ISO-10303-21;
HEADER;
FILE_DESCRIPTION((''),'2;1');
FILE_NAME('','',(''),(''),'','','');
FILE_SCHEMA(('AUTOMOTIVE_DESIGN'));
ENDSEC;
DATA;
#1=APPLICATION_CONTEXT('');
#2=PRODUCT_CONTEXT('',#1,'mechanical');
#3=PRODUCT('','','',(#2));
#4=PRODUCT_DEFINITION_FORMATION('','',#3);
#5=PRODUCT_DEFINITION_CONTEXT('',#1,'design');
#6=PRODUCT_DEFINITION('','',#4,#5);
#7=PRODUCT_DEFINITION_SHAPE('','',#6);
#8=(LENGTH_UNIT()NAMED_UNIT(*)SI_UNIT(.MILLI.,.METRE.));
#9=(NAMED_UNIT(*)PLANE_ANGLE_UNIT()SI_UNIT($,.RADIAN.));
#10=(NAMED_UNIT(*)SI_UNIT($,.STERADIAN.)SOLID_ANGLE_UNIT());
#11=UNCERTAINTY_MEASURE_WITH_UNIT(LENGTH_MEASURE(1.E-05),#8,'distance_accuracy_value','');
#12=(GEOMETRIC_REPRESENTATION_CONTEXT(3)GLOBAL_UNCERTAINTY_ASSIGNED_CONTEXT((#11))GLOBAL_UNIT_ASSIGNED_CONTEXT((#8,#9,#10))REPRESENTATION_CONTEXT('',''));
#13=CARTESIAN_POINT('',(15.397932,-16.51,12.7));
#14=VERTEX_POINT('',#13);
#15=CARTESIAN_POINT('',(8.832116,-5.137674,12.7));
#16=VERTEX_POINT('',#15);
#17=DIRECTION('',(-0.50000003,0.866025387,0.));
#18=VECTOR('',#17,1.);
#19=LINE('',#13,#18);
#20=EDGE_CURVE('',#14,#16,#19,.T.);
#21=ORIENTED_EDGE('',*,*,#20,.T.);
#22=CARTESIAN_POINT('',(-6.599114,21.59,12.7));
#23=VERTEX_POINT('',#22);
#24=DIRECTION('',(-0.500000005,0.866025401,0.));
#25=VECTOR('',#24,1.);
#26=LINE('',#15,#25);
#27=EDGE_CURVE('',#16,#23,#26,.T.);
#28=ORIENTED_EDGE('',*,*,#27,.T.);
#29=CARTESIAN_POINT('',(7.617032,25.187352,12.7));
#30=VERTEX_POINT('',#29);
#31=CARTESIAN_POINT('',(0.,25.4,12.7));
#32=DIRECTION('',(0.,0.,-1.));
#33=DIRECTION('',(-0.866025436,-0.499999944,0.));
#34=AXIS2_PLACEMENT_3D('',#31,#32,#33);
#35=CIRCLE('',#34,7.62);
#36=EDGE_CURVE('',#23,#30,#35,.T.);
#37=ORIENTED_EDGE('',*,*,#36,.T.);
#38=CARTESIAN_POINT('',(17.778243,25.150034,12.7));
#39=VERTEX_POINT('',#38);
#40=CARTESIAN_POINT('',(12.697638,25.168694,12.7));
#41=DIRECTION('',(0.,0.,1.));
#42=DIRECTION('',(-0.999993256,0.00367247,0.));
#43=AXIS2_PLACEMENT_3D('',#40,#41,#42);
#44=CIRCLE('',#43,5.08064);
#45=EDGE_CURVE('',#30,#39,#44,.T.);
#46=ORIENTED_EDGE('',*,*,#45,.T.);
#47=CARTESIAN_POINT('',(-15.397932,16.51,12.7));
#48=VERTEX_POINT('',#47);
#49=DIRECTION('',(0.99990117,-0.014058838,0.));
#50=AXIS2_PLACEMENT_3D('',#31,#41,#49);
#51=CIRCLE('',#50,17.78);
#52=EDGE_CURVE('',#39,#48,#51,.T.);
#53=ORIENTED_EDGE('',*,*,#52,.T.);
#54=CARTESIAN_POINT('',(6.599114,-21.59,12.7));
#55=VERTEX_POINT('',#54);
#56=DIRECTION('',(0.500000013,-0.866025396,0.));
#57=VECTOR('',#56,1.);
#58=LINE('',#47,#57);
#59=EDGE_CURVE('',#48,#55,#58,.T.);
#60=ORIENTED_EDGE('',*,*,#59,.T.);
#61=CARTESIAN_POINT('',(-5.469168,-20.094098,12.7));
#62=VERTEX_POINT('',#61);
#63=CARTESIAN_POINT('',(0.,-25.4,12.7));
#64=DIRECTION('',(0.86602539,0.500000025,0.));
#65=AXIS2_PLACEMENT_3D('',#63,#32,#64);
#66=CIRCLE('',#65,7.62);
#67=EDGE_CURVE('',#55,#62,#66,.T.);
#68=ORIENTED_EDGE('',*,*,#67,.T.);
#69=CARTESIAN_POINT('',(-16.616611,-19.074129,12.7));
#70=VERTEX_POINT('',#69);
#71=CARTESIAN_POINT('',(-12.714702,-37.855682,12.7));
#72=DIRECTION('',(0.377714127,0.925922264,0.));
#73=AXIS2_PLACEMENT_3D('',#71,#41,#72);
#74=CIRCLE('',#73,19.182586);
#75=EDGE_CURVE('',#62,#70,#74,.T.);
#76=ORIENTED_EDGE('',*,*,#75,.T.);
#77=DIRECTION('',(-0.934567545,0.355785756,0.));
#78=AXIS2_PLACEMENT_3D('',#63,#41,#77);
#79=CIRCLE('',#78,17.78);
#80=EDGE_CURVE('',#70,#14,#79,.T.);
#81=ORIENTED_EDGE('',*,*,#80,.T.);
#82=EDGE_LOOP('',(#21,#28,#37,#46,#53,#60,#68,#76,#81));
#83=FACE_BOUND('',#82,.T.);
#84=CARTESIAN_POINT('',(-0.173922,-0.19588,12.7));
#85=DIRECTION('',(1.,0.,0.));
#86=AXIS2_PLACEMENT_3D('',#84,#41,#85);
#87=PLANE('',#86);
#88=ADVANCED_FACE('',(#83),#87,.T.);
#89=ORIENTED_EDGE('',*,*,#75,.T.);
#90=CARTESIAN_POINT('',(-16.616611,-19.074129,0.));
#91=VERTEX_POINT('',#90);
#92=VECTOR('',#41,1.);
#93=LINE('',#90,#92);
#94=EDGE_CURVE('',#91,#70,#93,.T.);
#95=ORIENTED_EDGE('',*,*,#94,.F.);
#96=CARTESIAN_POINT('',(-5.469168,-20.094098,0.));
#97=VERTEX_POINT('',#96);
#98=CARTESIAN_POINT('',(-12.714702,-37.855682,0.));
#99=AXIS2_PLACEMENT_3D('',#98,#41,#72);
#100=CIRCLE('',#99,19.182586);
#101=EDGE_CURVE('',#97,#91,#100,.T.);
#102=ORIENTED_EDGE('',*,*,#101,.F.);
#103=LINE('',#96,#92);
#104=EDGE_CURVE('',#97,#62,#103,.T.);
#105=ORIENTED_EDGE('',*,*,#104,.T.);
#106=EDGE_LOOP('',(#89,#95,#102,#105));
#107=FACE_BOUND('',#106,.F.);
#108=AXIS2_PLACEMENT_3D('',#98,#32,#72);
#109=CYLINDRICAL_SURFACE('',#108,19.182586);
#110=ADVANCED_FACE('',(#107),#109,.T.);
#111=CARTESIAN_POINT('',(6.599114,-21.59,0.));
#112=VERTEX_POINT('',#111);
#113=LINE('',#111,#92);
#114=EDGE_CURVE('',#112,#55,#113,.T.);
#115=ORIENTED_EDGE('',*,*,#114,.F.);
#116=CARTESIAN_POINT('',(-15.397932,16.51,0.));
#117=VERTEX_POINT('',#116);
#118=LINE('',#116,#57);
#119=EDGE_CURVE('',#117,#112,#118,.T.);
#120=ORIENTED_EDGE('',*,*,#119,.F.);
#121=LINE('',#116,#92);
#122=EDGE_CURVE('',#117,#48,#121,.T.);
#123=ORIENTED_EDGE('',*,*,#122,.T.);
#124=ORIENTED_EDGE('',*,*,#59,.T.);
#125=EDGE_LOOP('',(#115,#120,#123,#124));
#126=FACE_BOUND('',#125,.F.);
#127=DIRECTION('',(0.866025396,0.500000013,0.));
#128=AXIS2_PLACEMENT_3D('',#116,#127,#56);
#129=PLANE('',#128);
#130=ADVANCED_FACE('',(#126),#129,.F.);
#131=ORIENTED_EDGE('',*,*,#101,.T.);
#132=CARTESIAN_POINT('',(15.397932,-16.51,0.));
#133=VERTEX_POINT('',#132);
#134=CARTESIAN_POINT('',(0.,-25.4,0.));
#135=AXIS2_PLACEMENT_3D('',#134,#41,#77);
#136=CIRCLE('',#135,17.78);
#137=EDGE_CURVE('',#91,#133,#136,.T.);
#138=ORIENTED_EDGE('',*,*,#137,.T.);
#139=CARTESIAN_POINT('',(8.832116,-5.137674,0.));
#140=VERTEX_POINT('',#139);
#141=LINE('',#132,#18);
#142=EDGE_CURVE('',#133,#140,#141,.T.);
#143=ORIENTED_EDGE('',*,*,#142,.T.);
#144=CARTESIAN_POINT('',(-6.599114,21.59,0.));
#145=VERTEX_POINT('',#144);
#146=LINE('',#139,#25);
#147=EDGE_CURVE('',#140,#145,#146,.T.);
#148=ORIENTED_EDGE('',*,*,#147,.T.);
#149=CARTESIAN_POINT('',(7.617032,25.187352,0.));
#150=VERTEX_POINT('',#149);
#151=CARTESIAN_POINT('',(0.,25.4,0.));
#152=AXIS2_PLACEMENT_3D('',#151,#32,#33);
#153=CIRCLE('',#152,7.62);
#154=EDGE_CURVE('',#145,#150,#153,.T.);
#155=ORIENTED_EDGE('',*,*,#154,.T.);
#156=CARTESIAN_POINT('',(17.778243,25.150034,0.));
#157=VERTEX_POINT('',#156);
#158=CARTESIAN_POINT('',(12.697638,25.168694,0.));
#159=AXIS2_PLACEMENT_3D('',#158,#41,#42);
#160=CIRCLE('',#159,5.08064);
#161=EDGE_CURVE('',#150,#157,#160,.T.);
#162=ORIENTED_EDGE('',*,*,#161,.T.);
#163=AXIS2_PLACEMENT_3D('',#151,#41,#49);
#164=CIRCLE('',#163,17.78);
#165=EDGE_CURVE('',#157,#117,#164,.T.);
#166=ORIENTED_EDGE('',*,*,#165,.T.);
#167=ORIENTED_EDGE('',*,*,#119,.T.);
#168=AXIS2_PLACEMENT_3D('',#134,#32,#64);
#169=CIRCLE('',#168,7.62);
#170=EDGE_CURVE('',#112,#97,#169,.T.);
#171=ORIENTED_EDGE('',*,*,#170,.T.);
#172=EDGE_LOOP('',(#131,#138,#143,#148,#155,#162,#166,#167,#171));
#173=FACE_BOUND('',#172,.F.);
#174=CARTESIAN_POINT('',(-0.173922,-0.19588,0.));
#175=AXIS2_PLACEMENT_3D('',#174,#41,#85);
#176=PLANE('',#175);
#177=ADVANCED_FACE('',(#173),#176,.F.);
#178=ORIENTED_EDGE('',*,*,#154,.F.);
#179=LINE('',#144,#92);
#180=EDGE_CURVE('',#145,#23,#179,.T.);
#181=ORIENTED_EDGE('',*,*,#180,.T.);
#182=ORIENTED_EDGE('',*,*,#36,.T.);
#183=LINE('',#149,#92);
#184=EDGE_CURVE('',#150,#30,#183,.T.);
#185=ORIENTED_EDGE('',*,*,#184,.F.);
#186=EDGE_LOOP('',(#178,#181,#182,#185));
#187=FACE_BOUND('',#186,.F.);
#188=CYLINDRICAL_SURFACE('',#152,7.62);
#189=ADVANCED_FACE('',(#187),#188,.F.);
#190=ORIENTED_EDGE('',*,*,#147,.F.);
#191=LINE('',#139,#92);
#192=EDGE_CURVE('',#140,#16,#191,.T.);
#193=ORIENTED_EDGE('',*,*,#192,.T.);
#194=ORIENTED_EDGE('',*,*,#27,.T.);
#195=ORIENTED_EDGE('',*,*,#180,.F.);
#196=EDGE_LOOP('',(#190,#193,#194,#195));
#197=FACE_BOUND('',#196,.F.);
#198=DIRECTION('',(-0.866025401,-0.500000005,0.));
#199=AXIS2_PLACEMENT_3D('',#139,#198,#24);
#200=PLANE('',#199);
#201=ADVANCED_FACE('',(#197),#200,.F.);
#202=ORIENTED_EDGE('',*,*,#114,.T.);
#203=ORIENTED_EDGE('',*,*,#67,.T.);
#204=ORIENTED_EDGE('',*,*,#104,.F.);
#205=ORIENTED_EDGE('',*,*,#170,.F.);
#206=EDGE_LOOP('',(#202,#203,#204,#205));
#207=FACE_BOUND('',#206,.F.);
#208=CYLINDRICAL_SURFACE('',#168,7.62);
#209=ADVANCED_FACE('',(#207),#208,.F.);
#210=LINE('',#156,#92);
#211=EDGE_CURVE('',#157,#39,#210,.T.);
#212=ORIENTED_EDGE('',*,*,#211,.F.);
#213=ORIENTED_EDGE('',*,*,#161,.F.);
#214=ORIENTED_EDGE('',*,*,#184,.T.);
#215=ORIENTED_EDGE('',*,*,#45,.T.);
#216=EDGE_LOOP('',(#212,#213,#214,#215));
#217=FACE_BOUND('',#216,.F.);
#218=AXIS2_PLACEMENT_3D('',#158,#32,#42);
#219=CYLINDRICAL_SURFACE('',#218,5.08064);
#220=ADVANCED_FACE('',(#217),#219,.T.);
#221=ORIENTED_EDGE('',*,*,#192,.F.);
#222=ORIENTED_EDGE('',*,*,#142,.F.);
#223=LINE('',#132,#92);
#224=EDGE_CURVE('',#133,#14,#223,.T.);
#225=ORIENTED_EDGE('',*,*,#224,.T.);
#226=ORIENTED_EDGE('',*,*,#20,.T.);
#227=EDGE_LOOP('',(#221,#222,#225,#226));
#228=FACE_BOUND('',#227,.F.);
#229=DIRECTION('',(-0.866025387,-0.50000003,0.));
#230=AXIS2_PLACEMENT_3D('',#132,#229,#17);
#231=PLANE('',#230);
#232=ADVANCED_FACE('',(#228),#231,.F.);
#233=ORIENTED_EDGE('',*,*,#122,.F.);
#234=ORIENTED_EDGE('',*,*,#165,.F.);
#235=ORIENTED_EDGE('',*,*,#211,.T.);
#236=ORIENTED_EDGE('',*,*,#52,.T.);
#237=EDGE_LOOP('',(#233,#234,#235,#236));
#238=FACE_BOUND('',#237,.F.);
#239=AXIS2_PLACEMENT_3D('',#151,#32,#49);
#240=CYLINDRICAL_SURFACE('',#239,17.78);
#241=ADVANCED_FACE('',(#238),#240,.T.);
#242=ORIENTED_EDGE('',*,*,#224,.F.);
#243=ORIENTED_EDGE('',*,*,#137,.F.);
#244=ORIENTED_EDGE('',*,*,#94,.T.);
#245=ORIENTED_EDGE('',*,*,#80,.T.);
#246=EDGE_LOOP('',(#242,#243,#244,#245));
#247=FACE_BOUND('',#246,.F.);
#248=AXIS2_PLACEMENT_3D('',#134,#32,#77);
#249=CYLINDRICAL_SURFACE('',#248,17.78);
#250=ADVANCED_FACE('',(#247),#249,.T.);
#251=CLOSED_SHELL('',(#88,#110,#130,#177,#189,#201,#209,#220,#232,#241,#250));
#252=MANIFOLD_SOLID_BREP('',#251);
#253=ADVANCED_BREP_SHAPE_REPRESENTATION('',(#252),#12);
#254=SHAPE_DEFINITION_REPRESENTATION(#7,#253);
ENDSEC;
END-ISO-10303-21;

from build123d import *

# Parameters (mm, degrees)
F1_DEPTH = 12.7


with BuildPart() as f1:
    # F0 (on Top) → F1 (new body)
    with BuildSketch(Plane.XY):
        with BuildLine():
            ThreePointArc((17.778243, 25.150034), (-4.480962, 42.606086), (-15.397932, 16.51))
            Line((-15.397932, 16.51), (6.599114, -21.59))
            ThreePointArc((6.599114, -21.59), (-0.93735, -32.962128), (-5.469168, -20.094098))
            ThreePointArc((-5.469168, -20.094098), (-10.966834, -18.752892), (-16.616611, -19.074129))
            ThreePointArc((-16.616611, -19.074129), (1.419501, -43.123245), (15.397932, -16.51))
            Line((15.397932, -16.51), (8.832116, -5.137674))
            Line((8.832116, -5.137674), (-6.599114, 21.59))
            ThreePointArc((-6.599114, 21.59), (-1.869298, 32.787159), (7.617032, 25.187352))
            ThreePointArc((7.617032, 25.187352), (12.678979, 20.088088), (17.778243, 25.150034))
        make_face()
    extrude(amount=F1_DEPTH)


solid = f1.part
